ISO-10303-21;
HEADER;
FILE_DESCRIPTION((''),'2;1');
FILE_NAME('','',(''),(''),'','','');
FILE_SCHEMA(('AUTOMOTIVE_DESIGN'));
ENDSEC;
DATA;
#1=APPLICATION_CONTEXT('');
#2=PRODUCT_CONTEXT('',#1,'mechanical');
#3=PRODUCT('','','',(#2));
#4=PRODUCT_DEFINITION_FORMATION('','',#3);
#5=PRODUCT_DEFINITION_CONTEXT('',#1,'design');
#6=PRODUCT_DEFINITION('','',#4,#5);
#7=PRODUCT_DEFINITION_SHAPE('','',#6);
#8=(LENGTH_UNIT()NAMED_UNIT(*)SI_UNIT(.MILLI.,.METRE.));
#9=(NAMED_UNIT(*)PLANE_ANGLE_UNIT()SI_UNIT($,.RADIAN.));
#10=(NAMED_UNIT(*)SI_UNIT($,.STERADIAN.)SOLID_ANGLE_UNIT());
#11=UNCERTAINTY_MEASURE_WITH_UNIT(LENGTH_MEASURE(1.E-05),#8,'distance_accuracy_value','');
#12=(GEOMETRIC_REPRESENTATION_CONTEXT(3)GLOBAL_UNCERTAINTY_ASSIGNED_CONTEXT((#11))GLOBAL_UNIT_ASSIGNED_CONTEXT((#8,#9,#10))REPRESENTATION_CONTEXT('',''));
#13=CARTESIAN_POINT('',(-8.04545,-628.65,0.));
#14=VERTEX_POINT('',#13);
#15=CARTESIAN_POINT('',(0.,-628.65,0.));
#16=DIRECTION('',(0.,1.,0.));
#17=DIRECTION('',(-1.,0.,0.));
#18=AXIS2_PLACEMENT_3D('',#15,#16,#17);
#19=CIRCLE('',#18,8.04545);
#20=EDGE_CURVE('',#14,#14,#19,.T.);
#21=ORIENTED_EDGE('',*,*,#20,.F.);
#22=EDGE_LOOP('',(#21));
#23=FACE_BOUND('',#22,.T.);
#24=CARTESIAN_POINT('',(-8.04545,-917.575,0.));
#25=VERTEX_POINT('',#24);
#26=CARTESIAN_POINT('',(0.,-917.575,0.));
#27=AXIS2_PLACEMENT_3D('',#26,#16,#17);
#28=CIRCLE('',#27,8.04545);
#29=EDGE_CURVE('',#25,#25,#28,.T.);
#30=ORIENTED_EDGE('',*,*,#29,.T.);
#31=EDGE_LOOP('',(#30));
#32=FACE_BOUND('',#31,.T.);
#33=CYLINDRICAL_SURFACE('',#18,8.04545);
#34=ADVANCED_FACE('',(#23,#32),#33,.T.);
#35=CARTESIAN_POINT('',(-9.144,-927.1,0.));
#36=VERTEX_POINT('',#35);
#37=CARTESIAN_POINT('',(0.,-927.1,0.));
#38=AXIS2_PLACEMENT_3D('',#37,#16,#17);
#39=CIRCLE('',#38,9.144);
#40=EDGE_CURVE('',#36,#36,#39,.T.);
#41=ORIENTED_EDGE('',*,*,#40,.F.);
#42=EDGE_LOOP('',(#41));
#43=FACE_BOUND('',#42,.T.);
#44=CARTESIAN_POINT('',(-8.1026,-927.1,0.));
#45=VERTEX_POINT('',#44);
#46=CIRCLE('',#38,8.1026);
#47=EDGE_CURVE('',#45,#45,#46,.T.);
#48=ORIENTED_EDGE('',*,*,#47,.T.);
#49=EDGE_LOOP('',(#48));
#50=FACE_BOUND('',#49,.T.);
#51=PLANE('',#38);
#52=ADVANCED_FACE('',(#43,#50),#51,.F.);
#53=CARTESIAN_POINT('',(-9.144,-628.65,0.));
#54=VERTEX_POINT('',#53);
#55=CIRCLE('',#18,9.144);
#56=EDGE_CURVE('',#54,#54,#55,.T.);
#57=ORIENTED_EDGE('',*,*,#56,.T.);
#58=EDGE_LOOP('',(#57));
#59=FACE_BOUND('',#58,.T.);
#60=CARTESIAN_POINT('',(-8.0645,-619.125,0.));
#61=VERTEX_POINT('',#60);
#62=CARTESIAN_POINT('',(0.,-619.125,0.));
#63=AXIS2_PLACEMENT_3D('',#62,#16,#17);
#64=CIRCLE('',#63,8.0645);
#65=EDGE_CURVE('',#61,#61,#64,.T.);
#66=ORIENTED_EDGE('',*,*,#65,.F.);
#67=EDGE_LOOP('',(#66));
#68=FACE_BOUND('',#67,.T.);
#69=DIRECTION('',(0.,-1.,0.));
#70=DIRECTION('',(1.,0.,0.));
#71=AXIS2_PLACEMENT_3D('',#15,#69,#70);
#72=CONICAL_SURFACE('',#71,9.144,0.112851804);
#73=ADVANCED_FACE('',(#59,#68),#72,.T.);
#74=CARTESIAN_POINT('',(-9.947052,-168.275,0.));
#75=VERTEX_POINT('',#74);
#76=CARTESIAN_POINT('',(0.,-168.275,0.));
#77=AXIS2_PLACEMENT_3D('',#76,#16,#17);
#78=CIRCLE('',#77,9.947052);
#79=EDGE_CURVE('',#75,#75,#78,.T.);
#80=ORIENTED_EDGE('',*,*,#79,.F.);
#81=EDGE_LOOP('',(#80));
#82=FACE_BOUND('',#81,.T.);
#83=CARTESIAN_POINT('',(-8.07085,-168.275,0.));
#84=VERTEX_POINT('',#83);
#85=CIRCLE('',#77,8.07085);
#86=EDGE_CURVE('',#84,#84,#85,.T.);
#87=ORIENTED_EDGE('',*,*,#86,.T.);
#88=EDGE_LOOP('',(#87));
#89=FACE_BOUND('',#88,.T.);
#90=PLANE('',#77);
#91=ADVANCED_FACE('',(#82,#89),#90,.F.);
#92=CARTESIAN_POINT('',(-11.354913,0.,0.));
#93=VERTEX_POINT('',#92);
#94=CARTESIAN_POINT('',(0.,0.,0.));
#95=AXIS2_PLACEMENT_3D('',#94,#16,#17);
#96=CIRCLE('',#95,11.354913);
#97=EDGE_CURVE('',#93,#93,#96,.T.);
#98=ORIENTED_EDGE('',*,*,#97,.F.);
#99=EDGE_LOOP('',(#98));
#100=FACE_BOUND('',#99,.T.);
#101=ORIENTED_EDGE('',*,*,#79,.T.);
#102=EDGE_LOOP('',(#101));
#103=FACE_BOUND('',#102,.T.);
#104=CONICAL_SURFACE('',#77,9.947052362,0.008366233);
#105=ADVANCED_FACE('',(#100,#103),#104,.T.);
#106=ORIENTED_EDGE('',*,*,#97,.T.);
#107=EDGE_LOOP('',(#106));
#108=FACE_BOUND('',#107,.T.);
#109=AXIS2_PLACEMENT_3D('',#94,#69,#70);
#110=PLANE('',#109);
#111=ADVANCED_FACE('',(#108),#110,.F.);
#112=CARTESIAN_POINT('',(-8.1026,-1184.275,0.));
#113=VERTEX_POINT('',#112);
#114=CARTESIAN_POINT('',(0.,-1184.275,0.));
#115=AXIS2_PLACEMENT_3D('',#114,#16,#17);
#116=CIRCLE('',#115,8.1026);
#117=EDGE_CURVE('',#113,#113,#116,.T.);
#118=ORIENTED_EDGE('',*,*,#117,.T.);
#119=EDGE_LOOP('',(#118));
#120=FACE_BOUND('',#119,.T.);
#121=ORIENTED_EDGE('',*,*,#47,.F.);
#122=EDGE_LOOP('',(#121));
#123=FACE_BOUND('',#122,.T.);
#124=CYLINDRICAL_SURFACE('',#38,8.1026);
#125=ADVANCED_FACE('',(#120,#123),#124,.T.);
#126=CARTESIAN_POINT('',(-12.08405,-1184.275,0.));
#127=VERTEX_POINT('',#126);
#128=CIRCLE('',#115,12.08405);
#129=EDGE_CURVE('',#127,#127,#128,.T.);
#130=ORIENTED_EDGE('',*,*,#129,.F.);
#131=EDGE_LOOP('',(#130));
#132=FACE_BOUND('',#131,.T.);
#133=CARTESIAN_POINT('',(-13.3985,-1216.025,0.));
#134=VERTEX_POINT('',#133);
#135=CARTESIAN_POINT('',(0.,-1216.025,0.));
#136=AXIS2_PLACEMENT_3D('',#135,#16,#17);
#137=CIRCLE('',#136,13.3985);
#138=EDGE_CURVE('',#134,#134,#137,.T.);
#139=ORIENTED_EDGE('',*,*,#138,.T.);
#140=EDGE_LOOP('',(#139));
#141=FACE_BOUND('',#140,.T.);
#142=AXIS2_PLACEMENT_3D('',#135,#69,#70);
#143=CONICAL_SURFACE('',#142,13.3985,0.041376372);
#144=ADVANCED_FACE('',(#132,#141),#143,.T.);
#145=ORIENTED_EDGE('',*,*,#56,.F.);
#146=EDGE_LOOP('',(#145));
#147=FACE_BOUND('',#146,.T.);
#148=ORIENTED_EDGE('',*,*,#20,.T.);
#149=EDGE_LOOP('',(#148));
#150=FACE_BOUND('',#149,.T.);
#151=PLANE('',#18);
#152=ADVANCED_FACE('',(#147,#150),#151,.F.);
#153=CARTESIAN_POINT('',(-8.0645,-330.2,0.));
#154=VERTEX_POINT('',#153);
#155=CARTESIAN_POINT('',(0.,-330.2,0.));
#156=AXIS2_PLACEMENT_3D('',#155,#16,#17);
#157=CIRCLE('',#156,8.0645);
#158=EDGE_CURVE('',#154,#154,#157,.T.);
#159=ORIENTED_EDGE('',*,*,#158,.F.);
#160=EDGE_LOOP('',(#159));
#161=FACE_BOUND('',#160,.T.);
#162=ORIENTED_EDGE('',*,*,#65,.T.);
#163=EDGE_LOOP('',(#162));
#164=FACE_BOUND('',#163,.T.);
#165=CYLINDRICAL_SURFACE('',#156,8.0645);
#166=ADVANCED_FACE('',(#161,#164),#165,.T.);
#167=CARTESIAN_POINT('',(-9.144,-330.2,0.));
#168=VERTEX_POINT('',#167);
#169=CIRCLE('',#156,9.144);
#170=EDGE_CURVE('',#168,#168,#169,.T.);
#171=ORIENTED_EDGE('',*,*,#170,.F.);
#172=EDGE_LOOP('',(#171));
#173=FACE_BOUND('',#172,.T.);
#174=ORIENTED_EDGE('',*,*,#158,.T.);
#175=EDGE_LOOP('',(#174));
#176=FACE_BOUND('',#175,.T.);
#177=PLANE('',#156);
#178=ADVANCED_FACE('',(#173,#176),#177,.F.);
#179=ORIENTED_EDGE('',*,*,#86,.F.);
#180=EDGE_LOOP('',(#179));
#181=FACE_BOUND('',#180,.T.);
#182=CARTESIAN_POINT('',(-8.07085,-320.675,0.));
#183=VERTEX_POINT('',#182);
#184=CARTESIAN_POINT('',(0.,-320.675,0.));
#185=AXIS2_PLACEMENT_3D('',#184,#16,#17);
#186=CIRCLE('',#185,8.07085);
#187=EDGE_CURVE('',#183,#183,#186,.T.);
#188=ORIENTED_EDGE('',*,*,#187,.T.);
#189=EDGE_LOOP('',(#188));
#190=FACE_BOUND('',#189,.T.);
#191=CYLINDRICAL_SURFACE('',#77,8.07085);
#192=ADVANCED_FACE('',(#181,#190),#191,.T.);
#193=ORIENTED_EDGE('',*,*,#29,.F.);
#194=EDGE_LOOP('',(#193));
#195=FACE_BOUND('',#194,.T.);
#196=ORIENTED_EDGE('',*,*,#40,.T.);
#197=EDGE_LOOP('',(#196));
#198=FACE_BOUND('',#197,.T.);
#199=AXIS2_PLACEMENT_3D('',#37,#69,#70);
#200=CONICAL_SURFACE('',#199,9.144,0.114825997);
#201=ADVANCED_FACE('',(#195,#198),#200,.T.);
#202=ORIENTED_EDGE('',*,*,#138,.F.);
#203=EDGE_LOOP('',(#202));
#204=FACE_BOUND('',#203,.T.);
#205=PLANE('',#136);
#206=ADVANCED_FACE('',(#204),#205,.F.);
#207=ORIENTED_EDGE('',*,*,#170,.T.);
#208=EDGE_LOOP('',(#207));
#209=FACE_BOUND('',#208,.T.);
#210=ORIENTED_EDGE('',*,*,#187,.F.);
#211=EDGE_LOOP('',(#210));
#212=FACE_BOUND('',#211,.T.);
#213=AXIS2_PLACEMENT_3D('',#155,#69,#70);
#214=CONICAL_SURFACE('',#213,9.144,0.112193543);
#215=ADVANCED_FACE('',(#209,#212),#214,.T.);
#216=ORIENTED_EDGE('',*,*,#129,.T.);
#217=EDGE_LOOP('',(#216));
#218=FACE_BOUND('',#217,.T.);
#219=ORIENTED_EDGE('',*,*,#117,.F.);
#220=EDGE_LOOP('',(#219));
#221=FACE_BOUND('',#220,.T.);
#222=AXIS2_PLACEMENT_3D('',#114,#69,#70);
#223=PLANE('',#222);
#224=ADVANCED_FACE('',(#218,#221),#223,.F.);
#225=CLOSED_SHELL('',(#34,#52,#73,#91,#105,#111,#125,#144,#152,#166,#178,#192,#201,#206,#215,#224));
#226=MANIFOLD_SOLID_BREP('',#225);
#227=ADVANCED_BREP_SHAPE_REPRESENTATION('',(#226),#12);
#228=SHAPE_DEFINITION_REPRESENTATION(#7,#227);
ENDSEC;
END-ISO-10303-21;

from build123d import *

# Parameters (mm, degrees)
SKETCH14_W = 8.1026
SKETCH14_H = 257.175


with BuildPart() as part:
    # Sketch3 → Revolve1 (revolve)
    with BuildSketch(Plane.XY, mode=Mode.PRIVATE) as revolve1_sk:
        Polygon((0, -1184.275), (0, -1216.025), (13.3985, -1216.025), (12.08405, -1184.275), align=None)
    revolve(revolve1_sk.sketch.rotate(Axis((0, -1184.275, 0), (0, -1, 0)), 180), axis=Axis((0, -1184.275, 0), (0, -1, 0)))



with BuildPart() as body_2:
    # Sketch1 → Revolve3 (revolve)
    with BuildSketch(Plane.XY, mode=Mode.PRIVATE) as revolve3_sk:
        Polygon((0, 0), (11.354913135, 0), (9.947052362, -168.275), (0, -168.275), align=None)
    revolve(revolve3_sk.sketch.rotate(Axis((0, 0, 0), (0, -1, 0)), 180), axis=Axis((0, 0, 0), (0, -1, 0)))

    # Sketch8 → Revolve4 (revolve)
    with BuildSketch(Plane.XY, mode=Mode.PRIVATE) as revolve4_sk:
        Polygon((0, -168.275), (0, -320.675), (0, -330.2), (9.144, -330.2), (8.07085, -320.675), (8.07085, -168.275), align=None)
    revolve(revolve4_sk.sketch.rotate(Axis((0, -168.275, 0), (0, -1, 0)), 180), axis=Axis((0, -168.275, 0), (0, -1, 0)))

    # Sketch11 → Revolve5 (revolve)
    with BuildSketch(Plane.XY, mode=Mode.PRIVATE) as revolve5_sk:
        Polygon((0, -330.2), (0, -619.125), (0, -628.65), (9.144, -628.65), (8.0645, -619.125), (8.0645, -330.2), align=None)
    revolve(revolve5_sk.sketch.rotate(Axis((0, -330.2, 0), (0, -1, 0)), 180), axis=Axis((0, -330.2, 0), (0, -1, 0)))

    # Sketch13 → Revolve6 (revolve)
    with BuildSketch(Plane.XY, mode=Mode.PRIVATE) as revolve6_sk:
        Polygon((0, -628.65), (8.04545, -628.65), (8.04545, -917.575), (9.144, -927.1), (0, -927.1), align=None)
    revolve(revolve6_sk.sketch.rotate(Axis((0, -628.65, 0), (0, -1, 0)), 180), axis=Axis((0, -628.65, 0), (0, -1, 0)))


with BuildPart() as part_1:
    add(part.part)

    add(body_2.part)  # Revolve7 merges body 2
    # Sketch14 → Revolve7 (revolve)
    with BuildSketch(Plane.XY, mode=Mode.PRIVATE) as revolve7_sk:
        with Locations((4.0513, -1055.6875)):
            Rectangle(SKETCH14_W, SKETCH14_H)
    revolve(revolve7_sk.sketch.rotate(Axis((0, -927.1, 0), (0, -1, 0)), 180), axis=Axis((0, -927.1, 0), (0, -1, 0)))


solid = part_1.part
